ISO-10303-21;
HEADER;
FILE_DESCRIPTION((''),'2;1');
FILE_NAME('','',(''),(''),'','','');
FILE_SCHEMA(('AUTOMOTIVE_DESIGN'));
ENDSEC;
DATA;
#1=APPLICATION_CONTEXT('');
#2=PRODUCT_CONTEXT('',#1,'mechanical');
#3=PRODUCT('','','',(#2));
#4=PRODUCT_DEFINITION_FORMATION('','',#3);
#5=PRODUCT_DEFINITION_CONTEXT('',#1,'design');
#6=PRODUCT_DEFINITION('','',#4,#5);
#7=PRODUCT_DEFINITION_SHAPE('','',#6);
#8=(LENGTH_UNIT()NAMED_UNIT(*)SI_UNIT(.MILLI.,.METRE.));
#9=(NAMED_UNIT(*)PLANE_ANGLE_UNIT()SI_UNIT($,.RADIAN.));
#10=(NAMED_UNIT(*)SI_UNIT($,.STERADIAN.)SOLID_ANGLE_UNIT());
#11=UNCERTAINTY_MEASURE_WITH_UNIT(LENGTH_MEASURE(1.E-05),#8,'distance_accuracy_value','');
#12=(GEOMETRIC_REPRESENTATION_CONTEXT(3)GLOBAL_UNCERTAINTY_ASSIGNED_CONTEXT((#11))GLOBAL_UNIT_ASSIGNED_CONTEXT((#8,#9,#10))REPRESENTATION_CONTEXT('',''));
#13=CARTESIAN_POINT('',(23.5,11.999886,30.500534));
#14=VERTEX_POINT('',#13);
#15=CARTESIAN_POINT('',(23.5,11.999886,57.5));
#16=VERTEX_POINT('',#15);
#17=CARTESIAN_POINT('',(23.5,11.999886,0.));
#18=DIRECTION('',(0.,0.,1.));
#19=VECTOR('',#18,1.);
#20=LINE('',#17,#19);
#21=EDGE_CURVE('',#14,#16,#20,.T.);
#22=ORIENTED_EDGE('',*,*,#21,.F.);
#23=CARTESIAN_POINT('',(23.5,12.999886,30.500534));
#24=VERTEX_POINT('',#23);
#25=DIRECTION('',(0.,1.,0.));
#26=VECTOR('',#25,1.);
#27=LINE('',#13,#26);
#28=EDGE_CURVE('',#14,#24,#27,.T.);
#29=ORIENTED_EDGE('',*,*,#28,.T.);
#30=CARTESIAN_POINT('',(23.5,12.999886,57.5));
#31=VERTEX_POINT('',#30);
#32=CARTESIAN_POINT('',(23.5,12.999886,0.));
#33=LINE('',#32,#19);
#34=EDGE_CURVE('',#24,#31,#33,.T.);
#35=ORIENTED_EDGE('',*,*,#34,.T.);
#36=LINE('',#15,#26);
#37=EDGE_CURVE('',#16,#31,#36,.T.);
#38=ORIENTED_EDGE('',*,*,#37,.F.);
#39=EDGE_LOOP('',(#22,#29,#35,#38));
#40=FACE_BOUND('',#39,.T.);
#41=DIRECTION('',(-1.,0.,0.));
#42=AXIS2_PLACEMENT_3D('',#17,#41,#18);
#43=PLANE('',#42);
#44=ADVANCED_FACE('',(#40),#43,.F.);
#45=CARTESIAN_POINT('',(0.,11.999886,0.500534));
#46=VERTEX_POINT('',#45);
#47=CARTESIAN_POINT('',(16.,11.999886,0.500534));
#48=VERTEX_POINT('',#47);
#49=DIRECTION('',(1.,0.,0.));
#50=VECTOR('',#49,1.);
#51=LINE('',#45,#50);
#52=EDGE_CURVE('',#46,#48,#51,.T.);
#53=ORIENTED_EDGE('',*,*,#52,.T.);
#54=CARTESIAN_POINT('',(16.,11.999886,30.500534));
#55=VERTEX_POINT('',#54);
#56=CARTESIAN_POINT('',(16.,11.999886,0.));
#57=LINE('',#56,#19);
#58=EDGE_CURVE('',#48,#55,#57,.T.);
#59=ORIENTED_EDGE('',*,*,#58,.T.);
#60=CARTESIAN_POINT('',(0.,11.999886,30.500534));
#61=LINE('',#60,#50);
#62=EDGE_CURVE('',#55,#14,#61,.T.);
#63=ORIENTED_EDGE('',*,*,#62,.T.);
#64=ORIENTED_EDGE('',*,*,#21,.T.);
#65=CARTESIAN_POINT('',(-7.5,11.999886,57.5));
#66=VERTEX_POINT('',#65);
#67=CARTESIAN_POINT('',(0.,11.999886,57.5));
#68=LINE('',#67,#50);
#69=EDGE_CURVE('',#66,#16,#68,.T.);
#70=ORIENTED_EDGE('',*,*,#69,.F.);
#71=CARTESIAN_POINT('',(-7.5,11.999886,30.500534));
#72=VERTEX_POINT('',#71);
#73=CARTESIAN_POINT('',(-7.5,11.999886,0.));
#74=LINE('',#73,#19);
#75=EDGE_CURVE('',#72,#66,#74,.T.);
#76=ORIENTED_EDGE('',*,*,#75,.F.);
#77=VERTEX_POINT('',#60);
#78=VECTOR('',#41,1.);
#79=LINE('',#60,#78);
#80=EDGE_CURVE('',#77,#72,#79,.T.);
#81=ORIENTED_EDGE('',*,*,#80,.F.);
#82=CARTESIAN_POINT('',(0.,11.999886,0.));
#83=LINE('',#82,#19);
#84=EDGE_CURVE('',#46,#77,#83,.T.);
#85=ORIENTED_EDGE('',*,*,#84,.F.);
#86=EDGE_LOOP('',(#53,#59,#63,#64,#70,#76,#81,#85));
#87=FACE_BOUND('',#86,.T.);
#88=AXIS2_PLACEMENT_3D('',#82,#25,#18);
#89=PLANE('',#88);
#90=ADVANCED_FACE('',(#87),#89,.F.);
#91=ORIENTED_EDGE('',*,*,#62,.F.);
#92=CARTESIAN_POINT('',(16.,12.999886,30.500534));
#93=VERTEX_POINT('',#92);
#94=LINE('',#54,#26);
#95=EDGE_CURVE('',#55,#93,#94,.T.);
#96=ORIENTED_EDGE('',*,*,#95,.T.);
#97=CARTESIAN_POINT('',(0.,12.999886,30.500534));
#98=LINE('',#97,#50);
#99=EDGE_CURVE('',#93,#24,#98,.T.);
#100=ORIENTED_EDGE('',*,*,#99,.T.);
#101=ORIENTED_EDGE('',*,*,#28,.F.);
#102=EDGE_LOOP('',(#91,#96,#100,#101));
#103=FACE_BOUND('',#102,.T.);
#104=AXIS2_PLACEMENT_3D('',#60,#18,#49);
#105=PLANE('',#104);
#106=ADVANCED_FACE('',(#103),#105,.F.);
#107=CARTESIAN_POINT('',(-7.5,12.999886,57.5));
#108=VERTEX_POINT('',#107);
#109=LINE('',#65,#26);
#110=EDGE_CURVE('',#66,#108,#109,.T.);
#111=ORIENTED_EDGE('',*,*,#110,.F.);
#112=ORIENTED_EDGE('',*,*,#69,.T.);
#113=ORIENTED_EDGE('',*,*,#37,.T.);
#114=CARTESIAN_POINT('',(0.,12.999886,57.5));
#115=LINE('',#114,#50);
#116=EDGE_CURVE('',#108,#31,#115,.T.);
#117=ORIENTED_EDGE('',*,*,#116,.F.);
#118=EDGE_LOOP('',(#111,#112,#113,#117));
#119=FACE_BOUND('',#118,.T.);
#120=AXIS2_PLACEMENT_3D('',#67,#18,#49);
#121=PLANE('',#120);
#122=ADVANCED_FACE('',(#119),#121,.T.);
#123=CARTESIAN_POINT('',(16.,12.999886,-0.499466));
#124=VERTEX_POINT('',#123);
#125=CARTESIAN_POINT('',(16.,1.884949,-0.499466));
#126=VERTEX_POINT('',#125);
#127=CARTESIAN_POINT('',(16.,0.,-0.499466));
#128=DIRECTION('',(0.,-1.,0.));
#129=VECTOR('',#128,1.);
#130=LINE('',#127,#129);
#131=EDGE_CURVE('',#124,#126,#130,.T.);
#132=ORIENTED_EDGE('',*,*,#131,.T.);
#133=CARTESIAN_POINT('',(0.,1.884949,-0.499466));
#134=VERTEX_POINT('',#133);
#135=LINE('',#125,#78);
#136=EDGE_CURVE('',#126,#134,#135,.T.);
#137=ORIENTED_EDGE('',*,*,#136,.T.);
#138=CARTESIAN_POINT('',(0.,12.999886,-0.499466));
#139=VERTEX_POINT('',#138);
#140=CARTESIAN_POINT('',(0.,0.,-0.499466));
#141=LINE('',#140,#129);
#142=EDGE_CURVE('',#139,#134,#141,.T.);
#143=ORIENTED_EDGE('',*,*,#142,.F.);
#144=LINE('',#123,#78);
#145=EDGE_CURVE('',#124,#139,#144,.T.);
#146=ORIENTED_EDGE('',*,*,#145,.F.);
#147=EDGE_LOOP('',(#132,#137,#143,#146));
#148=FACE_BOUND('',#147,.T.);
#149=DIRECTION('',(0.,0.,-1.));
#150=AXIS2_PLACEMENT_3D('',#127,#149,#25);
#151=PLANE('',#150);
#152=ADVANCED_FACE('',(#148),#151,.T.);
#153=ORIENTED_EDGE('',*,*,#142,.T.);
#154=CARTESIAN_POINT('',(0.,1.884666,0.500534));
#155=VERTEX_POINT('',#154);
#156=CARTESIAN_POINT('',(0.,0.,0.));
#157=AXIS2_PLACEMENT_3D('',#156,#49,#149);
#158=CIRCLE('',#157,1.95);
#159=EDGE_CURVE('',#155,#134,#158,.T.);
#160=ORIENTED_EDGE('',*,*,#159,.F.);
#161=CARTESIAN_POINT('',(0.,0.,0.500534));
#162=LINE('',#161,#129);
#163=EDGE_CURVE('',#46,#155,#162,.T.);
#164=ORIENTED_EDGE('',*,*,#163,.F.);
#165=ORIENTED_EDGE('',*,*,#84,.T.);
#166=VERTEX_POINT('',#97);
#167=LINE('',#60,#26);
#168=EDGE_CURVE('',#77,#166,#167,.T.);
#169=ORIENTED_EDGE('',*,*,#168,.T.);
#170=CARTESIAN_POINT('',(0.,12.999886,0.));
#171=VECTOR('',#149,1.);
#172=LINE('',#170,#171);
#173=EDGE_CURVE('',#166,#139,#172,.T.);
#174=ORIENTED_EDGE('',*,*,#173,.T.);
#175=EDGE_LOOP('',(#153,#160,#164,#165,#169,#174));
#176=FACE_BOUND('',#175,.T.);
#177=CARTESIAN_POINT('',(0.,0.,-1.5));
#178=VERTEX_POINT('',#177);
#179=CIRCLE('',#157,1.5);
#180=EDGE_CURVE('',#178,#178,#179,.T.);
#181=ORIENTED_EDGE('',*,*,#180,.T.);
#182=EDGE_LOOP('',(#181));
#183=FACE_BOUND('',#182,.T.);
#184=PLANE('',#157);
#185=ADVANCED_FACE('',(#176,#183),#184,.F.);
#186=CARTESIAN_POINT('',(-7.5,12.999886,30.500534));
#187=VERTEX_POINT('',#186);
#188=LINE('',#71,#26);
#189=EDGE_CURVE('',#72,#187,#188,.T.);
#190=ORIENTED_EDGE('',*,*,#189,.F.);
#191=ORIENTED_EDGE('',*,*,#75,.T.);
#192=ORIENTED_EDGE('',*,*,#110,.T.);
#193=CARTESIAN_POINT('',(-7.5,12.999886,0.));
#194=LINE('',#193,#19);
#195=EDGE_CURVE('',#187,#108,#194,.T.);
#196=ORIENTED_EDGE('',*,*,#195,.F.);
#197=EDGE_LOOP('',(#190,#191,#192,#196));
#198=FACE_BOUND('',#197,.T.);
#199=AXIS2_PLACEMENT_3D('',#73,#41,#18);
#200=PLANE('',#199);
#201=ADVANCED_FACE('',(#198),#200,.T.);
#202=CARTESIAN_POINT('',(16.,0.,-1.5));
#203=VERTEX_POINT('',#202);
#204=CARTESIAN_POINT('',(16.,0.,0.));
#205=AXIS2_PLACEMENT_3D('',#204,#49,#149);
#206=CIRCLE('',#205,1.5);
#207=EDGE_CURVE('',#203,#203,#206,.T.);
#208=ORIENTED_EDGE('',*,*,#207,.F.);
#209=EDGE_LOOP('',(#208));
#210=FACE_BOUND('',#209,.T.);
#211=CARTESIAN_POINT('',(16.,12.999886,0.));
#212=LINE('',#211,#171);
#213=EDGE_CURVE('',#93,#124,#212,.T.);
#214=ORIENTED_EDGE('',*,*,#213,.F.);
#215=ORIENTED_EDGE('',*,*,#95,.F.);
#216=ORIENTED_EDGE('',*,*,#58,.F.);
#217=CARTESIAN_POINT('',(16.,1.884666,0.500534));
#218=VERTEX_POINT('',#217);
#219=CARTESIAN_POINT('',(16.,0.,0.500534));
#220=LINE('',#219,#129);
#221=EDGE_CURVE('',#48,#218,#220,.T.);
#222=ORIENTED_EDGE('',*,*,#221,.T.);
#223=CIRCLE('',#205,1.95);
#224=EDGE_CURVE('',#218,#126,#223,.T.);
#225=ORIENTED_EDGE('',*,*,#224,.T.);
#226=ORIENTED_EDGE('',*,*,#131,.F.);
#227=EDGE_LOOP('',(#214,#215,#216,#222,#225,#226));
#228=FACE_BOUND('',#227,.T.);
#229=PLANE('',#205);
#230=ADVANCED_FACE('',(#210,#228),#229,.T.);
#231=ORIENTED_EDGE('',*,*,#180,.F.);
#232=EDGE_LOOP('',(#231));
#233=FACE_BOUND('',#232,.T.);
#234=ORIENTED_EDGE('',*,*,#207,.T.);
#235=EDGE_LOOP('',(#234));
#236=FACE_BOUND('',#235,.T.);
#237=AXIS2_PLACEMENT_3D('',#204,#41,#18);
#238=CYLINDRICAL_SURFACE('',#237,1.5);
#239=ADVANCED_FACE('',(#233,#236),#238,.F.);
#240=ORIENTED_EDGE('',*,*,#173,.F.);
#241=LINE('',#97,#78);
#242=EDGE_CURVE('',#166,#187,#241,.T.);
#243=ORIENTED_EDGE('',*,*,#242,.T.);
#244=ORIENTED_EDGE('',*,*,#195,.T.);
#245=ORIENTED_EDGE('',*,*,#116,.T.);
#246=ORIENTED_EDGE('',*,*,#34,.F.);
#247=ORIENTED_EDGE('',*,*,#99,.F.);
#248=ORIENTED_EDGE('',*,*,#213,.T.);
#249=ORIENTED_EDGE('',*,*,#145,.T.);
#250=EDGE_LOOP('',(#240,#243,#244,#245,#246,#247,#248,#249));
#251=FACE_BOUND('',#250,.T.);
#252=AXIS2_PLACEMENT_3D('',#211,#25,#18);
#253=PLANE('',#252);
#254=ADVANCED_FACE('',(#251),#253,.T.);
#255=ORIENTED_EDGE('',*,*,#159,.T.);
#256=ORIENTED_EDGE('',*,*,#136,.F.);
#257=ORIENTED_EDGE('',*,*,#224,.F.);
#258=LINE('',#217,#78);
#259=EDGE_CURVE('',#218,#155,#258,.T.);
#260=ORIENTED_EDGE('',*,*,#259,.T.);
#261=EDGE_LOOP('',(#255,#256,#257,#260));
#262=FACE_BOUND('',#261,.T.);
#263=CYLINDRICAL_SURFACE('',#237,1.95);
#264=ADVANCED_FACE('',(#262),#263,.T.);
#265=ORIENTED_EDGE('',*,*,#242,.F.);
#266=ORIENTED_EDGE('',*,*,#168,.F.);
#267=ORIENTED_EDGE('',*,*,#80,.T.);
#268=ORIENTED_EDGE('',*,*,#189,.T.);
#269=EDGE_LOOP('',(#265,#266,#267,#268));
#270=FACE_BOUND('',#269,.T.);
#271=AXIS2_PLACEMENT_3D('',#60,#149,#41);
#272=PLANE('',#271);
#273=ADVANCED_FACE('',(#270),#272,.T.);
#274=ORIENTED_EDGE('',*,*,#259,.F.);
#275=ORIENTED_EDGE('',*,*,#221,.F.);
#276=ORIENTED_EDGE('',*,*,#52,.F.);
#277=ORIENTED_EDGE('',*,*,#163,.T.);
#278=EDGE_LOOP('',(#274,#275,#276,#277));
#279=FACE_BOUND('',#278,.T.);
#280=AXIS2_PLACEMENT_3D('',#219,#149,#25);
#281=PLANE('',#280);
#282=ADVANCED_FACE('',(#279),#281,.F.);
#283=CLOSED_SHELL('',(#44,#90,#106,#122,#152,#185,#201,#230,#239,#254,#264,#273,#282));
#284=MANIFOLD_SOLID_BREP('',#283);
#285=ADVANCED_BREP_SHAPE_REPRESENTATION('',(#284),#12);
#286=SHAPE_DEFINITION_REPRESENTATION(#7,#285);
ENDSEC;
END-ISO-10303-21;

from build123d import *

# Parameters (mm, degrees)
SKETCH1_R           = 1.5
BOSS_EXTRUDE1_DEPTH = 16
BOSS_EXTRUDE2_DEPTH = 1


with BuildPart() as part:
    # Sketch1 → Boss-Extrude1 (new body)
    with BuildSketch(Plane(origin=(0, 0, 0), x_dir=(0, 0, -1), z_dir=(1, 0, 0))):
        with BuildLine():
            Line((0.49946551, 12.999886025), (-0.50053449, 12.999886025))
            Line((-0.50053449, 12.999886025), (-0.50053449, 1.884665812))
            ThreePointArc((-0.50053449, 1.884665812), (0.000552977, -1.949999922), (0.49946551, 1.88494939))
            Line((0.49946551, 1.88494939), (0.49946551, 12.999886025))
        make_face()
        Circle(SKETCH1_R, mode=Mode.SUBTRACT)
    extrude(amount=BOSS_EXTRUDE1_DEPTH)

    # Sketch2 → Boss-Extrude2 (add)
    with BuildSketch(Plane(origin=(0, 12.999886025, 0), x_dir=(1, 0, 0), z_dir=(0, 1, 0))):
        Polygon((16, -0.50053449), (0, -0.50053449), (0, -30.50053449), (-7.5, -30.50053449), (-7.5, -57.5), (23.5, -57.5), (23.5, -30.50053449), (16, -30.50053449), align=None)
    extrude(amount=-BOSS_EXTRUDE2_DEPTH)


solid = part.part
